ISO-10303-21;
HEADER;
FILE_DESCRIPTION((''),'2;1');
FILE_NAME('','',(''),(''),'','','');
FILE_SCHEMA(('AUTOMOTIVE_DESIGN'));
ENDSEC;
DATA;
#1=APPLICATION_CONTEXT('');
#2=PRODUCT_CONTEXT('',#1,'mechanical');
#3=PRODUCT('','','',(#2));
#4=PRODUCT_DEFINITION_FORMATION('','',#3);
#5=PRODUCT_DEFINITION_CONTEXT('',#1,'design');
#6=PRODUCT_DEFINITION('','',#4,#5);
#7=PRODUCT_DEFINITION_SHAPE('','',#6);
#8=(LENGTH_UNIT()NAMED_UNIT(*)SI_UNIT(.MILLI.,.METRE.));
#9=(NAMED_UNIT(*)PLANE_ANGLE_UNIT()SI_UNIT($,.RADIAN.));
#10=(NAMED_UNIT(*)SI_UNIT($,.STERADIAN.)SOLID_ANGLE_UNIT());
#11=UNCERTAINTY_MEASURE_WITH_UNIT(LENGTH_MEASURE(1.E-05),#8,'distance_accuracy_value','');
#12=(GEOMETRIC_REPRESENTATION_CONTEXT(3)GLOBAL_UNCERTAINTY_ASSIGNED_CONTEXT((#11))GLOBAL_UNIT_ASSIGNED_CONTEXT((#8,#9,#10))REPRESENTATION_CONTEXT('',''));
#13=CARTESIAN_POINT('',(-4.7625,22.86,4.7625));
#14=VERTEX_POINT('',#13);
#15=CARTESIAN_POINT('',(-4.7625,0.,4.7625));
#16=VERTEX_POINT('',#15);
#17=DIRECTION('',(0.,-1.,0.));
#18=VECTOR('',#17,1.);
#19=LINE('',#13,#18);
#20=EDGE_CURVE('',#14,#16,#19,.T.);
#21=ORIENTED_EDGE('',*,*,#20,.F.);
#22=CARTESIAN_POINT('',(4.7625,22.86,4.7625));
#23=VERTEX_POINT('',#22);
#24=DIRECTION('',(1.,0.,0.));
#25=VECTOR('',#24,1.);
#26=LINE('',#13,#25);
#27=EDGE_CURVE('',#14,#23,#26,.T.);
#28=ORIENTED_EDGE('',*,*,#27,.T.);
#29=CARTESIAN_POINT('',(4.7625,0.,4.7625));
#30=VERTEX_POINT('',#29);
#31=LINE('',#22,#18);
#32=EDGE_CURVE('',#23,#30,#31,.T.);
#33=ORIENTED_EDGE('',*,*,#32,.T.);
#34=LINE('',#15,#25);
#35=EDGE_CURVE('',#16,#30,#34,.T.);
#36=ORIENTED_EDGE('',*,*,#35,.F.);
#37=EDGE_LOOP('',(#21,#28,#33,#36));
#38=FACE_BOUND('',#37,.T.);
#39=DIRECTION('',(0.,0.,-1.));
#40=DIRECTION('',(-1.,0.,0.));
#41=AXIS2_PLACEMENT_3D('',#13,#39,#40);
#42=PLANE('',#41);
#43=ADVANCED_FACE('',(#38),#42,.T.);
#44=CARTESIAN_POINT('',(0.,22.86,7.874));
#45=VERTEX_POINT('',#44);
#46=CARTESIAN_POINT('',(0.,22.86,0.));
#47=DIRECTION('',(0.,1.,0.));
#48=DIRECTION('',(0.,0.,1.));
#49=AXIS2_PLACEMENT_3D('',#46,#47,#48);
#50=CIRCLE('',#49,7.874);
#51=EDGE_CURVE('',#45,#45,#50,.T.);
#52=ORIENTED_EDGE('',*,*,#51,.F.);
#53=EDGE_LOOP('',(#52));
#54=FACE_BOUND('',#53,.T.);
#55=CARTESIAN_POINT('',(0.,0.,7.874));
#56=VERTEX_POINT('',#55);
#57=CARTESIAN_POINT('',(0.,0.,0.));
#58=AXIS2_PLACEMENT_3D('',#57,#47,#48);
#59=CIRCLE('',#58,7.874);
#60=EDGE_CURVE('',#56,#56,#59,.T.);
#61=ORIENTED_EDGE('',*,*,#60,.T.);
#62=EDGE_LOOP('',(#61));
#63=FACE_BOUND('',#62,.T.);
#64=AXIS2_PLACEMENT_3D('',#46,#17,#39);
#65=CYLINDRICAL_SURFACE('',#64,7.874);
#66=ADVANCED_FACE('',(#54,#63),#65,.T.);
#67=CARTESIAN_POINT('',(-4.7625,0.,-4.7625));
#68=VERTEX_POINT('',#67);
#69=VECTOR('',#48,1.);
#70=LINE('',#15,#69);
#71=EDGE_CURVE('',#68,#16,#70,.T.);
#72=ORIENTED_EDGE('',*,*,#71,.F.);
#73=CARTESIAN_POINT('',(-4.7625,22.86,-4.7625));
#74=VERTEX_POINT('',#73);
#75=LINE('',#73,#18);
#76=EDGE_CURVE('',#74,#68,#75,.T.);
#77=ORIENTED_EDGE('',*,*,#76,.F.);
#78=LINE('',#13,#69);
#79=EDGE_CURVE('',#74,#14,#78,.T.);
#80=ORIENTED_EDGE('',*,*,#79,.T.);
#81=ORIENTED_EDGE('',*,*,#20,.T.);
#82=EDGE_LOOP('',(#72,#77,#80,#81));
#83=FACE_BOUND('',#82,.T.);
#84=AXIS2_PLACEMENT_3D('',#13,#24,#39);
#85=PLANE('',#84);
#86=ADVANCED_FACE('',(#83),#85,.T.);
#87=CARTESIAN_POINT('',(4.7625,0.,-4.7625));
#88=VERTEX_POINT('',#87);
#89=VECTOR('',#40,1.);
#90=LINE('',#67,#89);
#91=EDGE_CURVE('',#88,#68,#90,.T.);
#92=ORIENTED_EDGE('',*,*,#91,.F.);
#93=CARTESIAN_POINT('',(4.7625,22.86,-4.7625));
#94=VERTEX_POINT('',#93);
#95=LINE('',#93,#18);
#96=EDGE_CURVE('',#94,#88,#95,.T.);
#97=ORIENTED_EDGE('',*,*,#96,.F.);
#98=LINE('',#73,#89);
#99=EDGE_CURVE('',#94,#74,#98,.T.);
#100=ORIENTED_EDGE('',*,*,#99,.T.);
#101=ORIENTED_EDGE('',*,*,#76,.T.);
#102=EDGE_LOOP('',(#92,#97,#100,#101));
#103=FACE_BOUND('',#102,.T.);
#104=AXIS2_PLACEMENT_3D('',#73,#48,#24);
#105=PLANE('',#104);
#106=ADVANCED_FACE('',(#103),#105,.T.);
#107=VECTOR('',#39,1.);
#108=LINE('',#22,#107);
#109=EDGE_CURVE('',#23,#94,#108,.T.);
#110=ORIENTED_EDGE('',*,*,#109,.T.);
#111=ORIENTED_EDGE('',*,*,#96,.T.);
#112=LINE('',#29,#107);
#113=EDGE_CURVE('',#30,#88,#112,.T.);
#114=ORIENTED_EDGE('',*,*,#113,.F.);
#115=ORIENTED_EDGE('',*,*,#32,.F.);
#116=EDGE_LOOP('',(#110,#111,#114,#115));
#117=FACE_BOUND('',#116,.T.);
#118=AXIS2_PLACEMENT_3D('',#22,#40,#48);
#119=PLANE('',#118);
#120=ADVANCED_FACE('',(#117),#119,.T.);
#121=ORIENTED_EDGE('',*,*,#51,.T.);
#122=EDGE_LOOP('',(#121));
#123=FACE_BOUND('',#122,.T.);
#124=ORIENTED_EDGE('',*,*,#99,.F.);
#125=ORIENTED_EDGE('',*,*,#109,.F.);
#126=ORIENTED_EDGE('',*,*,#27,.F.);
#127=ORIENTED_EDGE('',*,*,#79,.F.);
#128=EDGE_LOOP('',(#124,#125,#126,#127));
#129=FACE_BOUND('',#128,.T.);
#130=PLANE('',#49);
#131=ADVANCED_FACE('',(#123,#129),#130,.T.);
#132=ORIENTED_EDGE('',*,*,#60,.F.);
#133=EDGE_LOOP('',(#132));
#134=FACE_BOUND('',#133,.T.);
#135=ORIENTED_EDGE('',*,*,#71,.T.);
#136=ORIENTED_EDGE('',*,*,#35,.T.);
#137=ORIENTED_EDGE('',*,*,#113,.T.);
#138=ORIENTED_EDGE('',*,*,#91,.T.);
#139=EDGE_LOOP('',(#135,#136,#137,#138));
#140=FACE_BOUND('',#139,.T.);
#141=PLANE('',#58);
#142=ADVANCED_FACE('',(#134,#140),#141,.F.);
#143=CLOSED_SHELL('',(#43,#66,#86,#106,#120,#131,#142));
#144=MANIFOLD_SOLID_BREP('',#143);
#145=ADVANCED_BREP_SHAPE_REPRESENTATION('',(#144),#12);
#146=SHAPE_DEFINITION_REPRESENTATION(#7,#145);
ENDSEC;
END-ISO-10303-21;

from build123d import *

# Parameters (mm, degrees)
SKETCH1_R           = 7.874
SKETCH1_W           = 9.525
SKETCH1_H           = 9.525
BOSS_EXTRUDE1_DEPTH = 22.86


with BuildPart() as part:
    # Sketch1 → Boss-Extrude1 (new body)
    with BuildSketch(Plane(origin=(0, 0, 0), x_dir=(1, 0, 0), z_dir=(0, 1, 0))):
        with Locations(Location((0, 0, 0), (0, 0, 270))):
            Circle(SKETCH1_R)
        Rectangle(SKETCH1_W, SKETCH1_H, mode=Mode.SUBTRACT)
    extrude(amount=BOSS_EXTRUDE1_DEPTH)


solid = part.part
